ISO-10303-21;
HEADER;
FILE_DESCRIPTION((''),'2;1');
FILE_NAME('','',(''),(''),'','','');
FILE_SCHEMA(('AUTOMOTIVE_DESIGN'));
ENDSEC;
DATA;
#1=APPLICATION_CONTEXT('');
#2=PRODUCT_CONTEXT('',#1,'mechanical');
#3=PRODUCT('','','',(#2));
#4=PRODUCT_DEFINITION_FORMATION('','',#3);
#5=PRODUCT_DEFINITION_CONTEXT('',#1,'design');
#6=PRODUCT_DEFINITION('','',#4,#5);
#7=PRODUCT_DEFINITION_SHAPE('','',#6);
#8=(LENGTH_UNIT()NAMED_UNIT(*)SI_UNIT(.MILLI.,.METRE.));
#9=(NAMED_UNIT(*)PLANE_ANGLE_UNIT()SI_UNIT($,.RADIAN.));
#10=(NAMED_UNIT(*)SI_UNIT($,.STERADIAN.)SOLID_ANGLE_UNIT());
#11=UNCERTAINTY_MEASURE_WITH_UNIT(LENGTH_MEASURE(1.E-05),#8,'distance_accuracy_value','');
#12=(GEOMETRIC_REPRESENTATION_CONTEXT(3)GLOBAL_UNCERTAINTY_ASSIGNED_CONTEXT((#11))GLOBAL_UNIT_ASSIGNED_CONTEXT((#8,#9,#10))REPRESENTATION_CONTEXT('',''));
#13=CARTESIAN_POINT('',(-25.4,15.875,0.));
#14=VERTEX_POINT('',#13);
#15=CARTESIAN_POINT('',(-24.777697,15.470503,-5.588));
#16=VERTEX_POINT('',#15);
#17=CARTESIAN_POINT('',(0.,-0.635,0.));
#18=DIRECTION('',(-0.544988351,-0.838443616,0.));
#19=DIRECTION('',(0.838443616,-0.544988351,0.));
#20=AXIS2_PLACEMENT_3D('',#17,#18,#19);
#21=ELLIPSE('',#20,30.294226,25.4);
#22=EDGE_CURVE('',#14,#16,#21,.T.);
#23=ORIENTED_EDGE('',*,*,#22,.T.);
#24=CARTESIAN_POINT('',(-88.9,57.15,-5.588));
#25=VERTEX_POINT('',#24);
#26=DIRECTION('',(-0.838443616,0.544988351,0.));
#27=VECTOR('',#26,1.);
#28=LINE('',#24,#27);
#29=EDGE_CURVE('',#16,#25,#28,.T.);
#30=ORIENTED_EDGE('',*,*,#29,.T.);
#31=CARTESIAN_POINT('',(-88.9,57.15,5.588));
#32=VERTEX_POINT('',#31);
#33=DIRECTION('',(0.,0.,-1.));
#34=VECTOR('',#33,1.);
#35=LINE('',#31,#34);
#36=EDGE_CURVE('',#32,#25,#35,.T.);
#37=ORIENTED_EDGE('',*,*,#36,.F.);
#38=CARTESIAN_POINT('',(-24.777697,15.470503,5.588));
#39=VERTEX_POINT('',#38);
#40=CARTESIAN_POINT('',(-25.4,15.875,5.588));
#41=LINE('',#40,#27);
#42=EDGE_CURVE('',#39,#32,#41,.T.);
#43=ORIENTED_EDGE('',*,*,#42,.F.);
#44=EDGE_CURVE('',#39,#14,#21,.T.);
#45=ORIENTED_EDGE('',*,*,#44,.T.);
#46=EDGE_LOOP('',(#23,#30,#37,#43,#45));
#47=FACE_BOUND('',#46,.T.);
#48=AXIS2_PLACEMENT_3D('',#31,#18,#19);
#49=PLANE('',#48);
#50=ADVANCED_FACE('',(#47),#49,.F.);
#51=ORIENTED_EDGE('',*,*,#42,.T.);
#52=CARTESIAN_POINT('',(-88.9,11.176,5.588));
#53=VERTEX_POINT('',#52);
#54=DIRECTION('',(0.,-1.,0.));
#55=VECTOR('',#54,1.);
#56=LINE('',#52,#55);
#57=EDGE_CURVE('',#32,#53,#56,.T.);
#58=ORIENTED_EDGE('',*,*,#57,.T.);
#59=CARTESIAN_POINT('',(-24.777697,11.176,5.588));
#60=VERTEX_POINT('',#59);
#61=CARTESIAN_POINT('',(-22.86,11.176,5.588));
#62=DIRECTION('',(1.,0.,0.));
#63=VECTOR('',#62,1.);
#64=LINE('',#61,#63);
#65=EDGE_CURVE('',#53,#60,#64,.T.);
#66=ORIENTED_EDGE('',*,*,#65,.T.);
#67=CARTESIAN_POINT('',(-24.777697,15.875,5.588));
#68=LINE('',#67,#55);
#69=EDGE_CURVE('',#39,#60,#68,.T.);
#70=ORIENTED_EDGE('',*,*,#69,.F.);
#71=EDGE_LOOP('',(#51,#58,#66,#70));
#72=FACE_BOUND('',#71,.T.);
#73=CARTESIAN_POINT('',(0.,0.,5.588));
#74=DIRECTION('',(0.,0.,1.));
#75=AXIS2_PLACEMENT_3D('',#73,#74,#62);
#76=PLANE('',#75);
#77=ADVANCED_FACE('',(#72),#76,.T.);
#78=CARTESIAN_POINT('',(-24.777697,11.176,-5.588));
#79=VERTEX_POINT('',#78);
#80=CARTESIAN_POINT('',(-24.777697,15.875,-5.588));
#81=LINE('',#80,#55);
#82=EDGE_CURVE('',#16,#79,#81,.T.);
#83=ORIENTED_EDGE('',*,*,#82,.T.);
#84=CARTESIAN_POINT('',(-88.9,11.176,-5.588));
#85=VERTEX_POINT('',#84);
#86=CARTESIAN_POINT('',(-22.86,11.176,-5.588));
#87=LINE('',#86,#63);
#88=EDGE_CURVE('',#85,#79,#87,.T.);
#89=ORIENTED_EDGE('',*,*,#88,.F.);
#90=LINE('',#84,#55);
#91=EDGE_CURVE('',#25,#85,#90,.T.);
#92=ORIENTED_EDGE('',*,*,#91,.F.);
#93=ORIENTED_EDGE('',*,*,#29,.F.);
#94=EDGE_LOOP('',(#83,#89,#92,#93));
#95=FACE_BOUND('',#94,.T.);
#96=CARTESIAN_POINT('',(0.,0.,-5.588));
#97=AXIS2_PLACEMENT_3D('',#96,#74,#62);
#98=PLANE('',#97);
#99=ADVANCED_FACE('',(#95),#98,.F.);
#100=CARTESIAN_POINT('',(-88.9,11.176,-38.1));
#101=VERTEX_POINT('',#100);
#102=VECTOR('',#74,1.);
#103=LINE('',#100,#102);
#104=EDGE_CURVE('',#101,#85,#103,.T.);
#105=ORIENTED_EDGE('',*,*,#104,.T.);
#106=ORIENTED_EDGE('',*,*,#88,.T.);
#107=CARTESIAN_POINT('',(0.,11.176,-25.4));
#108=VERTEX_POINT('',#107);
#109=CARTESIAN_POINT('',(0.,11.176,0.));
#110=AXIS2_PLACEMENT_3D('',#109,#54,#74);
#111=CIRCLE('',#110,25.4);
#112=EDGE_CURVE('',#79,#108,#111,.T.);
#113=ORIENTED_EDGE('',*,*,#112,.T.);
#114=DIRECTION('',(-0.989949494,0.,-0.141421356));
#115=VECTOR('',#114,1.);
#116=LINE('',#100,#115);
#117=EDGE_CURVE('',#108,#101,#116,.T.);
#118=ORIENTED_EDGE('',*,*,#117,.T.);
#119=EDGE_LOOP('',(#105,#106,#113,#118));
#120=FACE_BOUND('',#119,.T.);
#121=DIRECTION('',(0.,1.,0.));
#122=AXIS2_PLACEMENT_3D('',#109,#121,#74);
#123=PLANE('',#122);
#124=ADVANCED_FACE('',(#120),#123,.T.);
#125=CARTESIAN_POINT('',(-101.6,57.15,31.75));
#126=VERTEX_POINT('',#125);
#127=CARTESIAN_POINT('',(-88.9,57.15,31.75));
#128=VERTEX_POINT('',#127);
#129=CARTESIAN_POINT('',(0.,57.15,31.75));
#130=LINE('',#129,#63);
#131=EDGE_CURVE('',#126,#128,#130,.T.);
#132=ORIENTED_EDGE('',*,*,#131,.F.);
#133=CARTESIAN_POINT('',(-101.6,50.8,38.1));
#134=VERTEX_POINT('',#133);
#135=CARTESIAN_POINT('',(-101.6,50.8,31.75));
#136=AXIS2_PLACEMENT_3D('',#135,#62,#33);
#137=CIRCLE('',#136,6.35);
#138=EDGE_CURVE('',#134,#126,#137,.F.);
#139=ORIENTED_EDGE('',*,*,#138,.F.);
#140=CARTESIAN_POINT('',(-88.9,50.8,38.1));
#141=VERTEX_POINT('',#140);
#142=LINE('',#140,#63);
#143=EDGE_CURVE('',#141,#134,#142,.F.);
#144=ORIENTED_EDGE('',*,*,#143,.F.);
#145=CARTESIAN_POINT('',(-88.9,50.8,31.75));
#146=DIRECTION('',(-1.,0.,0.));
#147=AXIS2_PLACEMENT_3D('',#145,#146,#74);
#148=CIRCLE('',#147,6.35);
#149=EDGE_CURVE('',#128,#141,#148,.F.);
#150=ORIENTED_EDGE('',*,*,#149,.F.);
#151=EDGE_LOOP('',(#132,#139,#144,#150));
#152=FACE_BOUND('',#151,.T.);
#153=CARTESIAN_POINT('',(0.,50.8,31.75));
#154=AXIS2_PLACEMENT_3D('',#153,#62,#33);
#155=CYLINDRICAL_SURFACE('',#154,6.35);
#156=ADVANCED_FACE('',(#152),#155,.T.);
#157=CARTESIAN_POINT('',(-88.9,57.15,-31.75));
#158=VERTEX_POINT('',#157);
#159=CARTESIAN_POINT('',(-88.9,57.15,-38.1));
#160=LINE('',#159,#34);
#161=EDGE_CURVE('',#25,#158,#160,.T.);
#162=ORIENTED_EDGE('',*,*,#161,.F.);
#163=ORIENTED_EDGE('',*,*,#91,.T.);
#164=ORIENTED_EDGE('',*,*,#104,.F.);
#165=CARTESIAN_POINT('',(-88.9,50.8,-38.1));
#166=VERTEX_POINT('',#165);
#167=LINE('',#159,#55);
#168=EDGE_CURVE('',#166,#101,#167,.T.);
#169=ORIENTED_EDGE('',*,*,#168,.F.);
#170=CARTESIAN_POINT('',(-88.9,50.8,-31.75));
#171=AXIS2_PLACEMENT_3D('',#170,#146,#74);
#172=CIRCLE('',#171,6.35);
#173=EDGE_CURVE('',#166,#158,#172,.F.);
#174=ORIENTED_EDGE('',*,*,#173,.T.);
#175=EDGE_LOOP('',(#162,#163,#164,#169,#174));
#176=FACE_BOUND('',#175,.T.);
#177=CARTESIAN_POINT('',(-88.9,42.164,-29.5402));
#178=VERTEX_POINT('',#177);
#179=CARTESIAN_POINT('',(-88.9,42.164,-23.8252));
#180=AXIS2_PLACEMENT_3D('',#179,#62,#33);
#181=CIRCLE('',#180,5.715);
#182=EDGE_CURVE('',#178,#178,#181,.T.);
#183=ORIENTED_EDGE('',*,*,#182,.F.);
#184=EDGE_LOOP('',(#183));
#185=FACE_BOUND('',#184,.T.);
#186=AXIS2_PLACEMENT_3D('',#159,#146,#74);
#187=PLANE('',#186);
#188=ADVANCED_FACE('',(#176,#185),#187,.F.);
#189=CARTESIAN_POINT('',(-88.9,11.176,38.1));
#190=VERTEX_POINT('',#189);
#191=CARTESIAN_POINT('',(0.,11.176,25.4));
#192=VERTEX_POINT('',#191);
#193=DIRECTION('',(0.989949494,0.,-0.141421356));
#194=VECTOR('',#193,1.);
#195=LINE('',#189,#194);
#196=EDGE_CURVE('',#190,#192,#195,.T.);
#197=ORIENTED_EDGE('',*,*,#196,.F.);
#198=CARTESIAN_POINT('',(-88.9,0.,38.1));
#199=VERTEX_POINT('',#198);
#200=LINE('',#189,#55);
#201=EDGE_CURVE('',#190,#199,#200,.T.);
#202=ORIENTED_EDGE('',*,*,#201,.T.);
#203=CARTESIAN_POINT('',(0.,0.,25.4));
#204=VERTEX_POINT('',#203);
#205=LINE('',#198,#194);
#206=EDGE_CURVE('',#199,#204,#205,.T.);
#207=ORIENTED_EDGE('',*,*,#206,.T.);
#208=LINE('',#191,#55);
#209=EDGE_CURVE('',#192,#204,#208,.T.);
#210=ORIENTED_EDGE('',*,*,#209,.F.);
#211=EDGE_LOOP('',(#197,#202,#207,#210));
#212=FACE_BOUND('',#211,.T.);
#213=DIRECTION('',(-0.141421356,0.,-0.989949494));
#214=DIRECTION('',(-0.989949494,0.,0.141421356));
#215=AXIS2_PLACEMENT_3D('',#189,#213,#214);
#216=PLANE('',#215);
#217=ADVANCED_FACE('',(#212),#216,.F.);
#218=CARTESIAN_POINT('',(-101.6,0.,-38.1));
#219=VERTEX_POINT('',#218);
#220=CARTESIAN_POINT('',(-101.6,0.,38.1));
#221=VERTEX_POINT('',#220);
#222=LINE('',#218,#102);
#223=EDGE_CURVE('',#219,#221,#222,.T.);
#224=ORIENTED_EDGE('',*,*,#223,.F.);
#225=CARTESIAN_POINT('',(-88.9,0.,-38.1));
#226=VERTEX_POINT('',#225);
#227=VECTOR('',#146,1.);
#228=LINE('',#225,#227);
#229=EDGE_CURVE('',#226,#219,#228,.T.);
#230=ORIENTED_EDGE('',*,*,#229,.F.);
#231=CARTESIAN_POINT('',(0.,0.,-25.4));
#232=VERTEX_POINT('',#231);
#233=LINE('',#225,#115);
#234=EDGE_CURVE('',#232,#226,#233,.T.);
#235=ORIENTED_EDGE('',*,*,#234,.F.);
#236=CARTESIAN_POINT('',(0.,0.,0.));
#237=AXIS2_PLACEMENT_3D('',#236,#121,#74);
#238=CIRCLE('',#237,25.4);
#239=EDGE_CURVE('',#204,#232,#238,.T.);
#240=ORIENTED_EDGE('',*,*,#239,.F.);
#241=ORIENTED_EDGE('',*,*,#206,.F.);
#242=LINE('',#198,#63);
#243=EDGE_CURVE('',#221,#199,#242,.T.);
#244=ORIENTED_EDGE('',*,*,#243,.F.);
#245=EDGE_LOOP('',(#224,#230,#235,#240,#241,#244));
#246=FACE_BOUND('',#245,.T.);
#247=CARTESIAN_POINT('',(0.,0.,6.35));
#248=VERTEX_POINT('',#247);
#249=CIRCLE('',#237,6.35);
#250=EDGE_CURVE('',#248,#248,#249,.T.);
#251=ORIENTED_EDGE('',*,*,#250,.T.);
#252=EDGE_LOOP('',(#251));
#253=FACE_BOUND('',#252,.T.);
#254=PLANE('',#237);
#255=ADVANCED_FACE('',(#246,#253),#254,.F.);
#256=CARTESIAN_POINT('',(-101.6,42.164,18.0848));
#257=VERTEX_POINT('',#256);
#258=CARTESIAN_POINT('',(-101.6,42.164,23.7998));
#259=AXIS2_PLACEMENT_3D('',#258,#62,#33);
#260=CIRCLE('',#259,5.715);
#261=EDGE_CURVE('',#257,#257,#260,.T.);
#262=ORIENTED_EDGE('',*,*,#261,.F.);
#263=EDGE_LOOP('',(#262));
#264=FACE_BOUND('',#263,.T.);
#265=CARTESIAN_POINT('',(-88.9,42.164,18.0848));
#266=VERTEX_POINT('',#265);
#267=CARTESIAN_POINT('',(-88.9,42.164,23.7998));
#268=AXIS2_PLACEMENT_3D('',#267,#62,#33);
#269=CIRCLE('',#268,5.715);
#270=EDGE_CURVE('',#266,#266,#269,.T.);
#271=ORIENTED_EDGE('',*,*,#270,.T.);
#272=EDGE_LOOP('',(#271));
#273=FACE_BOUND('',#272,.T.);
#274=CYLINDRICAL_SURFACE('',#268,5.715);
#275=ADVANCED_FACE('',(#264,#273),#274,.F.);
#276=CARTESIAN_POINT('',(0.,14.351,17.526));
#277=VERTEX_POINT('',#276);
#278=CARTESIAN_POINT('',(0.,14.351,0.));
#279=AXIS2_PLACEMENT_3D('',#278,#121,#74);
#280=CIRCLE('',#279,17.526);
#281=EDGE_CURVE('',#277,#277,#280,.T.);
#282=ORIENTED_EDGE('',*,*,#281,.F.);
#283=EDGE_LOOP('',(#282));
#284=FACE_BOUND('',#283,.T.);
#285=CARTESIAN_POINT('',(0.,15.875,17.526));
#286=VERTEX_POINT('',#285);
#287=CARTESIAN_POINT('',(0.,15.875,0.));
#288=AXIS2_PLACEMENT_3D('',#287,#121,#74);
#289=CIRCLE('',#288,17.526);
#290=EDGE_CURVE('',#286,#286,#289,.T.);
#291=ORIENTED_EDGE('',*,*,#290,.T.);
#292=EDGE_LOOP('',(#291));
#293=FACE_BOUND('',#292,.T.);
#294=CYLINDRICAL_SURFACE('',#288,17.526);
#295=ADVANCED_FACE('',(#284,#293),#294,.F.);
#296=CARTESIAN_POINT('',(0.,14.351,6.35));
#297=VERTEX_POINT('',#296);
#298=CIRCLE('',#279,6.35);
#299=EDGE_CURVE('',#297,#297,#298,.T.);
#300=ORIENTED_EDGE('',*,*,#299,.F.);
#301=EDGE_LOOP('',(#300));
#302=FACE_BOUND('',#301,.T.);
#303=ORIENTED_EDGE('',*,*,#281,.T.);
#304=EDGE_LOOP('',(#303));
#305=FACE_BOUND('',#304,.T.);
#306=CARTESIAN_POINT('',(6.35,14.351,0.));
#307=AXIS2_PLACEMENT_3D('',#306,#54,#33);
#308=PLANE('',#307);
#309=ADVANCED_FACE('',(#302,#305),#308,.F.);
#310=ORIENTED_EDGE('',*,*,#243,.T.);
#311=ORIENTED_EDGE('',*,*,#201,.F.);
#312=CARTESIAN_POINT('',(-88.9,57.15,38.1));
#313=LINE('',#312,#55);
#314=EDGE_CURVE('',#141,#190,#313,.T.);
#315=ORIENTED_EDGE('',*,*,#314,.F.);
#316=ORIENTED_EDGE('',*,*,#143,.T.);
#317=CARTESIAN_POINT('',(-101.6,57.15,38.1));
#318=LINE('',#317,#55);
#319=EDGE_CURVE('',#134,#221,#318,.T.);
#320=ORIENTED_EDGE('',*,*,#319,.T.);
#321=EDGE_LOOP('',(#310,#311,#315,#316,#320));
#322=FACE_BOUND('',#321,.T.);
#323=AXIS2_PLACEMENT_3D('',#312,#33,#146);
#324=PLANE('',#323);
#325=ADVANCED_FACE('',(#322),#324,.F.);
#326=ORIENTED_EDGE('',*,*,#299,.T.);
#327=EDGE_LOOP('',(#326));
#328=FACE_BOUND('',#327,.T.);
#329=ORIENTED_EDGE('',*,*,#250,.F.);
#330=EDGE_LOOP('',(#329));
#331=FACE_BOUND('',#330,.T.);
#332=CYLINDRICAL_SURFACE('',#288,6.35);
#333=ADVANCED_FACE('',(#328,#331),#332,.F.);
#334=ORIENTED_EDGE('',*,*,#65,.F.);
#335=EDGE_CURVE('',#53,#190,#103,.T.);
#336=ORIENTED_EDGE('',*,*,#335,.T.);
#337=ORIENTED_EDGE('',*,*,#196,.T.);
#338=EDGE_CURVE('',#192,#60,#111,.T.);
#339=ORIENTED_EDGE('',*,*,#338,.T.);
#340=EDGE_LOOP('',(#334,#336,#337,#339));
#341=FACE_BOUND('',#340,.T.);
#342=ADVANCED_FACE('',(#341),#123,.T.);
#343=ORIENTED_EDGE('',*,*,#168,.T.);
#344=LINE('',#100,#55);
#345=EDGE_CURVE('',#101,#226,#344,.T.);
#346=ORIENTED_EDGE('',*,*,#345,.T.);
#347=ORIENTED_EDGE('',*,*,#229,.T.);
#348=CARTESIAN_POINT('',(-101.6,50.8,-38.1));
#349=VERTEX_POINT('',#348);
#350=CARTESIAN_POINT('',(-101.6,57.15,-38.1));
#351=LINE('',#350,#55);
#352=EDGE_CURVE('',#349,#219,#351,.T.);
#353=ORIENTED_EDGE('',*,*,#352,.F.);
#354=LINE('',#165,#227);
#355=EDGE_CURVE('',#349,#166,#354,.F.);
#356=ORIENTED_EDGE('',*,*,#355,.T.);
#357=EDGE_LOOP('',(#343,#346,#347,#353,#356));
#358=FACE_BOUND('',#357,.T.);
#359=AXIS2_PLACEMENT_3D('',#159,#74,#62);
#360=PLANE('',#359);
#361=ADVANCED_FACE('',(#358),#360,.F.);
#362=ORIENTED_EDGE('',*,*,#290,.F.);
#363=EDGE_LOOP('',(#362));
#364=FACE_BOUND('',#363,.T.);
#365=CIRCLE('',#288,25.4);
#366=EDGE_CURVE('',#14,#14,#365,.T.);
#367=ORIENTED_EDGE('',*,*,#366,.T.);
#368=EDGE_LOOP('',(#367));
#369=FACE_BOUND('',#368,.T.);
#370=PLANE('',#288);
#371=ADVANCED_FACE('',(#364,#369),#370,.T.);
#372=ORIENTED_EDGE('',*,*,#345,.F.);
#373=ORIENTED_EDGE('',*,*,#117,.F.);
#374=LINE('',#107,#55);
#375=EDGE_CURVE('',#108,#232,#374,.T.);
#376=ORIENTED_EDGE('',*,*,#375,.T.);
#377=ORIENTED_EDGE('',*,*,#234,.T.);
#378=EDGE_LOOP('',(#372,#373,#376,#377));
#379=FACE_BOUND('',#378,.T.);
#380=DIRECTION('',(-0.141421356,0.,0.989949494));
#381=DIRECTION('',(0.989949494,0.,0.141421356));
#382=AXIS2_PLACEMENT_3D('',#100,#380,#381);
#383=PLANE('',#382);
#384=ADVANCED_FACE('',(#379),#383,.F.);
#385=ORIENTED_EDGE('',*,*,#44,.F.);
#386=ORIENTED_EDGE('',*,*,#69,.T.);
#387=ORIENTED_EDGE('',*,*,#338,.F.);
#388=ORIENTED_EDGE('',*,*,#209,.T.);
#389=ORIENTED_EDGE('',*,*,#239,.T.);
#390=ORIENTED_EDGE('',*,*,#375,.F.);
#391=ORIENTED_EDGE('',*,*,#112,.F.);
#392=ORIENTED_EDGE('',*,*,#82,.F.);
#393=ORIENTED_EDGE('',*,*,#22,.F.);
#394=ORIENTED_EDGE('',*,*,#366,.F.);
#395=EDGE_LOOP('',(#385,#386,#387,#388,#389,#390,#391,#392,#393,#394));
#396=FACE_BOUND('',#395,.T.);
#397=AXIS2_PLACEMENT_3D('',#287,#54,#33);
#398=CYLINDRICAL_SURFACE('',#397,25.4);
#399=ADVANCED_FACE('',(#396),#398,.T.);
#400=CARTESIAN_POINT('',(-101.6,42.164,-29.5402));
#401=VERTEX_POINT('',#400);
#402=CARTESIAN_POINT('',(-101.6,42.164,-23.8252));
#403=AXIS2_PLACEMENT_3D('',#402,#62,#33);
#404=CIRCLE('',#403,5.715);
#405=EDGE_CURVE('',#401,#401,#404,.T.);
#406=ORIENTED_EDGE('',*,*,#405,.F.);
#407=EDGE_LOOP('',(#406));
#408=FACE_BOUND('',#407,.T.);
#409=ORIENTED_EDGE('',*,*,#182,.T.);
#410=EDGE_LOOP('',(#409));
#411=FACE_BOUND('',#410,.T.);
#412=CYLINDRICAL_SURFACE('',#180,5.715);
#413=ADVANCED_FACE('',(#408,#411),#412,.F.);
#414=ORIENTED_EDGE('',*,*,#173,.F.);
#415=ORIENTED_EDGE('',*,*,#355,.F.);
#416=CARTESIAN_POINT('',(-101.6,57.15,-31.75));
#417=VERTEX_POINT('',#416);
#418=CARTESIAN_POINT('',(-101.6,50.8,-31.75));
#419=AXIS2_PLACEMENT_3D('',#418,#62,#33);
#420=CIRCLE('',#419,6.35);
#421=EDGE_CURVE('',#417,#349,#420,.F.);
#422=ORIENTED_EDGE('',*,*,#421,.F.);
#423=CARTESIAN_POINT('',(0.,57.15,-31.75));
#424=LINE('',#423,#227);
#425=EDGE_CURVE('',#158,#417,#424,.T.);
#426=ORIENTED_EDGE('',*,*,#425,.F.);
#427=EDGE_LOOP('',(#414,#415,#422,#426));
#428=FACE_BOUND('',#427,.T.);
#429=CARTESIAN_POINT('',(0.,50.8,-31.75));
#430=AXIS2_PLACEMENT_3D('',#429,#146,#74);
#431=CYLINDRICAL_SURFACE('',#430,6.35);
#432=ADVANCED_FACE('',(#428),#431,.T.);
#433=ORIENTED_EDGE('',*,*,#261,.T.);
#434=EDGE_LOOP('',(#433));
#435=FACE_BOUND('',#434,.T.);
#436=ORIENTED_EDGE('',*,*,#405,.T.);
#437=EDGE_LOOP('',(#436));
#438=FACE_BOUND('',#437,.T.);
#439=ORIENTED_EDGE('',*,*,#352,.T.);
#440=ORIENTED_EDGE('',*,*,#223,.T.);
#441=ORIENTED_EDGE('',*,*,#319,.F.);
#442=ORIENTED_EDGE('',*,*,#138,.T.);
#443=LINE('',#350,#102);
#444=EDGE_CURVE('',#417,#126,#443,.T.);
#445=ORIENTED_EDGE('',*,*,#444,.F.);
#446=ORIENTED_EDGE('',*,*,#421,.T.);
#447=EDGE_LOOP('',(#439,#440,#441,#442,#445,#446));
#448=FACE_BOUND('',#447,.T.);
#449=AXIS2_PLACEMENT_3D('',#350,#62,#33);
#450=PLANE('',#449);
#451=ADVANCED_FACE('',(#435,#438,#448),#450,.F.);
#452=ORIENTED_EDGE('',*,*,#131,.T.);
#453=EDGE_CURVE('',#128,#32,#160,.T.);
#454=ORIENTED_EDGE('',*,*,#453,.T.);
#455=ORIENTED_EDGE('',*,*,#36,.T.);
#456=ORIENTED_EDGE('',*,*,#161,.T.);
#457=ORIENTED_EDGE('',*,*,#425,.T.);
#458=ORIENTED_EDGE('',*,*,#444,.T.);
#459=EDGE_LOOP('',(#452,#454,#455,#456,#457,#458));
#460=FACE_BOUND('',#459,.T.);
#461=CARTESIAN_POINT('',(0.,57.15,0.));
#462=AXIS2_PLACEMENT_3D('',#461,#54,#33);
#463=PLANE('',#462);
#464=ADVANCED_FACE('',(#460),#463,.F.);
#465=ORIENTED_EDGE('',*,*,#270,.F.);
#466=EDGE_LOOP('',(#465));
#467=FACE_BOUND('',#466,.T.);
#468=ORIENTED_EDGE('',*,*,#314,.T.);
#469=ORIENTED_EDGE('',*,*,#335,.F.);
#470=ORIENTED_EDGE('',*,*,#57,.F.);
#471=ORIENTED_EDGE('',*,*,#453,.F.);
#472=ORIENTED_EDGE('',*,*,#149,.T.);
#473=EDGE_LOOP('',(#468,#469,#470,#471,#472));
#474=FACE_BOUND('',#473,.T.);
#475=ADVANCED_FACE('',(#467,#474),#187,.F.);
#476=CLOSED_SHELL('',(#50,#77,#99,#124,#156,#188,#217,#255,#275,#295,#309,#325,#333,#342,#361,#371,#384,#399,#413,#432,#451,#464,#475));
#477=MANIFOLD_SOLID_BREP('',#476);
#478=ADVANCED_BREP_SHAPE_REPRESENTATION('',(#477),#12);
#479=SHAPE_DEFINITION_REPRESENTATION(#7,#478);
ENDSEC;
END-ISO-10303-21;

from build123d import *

# Parameters (mm, degrees)
SKETCH1_R                                            = 25.4
BOSS_EXTRUDE1_DEPTH                                  = 15.875
BOSS_EXTRUDE2_DEPTH                                  = 11.176
SKETCH3_W                                            = 12.7
SKETCH3_H                                            = 76.2
BOSS_EXTRUDE3_DEPTH                                  = 57.15
CBORE_FOR_3_8_BINDING_HEAD_MACHINE_SCREW_D           = 12.7
CBORE_FOR_3_8_BINDING_HEAD_MACHINE_SCREW_CBORE_D     = 35.052
CBORE_FOR_3_8_BINDING_HEAD_MACHINE_SCREW_CBORE_DEPTH = 1.524
BOSS_EXTRUDE7_DEPTH                                  = 5.588
F_25_64_0_45_DIAMETER_HOLE1_D                        = 11.43
FILLET1_R                                            = 6.35


with BuildPart() as part:
    # Sketch1 → Boss-Extrude1 (new body)
    with BuildSketch(Plane(origin=(0, 0, 0), x_dir=(1, 0, 0), z_dir=(0, 1, 0))):
        with Locations(Location((0, 0, 0), (0, 0, 270))):
            Circle(SKETCH1_R)
    extrude(amount=BOSS_EXTRUDE1_DEPTH)

    # Sketch2 → Boss-Extrude2 (add)
    with BuildSketch(Plane(origin=(0, 0, 0), x_dir=(1, 0, 0), z_dir=(0, 1, 0))):
        with BuildLine():
            Line((-88.9, 38.1), (-88.9, -38.1))
            Line((-88.9, -38.1), (0, -25.4))
            ThreePointArc((0, -25.4), (-25.4, 0), (0, 25.4))
            Line((0, 25.4), (-88.9, 38.1))
        make_face()
    extrude(amount=BOSS_EXTRUDE2_DEPTH)

    # Sketch3 → Boss-Extrude3 (add)
    with BuildSketch(Plane(origin=(0, 0, 0), x_dir=(1, 0, 0), z_dir=(0, 1, 0))):
        with Locations((-95.25, 0)):
            Rectangle(SKETCH3_W, SKETCH3_H)
    extrude(amount=BOSS_EXTRUDE3_DEPTH)

    # CBORE for 3/8 Binding Head Machine Screw1 (through all)
    with Locations(Plane.ZX.offset(15.875)):
        with Locations((0, 0)):
            CounterBoreHole(CBORE_FOR_3_8_BINDING_HEAD_MACHINE_SCREW_D / 2, CBORE_FOR_3_8_BINDING_HEAD_MACHINE_SCREW_CBORE_D / 2, CBORE_FOR_3_8_BINDING_HEAD_MACHINE_SCREW_CBORE_DEPTH)

    # Sketch10 → Boss-Extrude7 (add, symmetric)
    with BuildSketch(Plane.XY):
        Polygon((-88.9, 57.15), (-25.4, 15.875), (-22.86, 14.224), (-22.86, 11.176), (-88.9, 11.176), align=None)
    extrude(amount=BOSS_EXTRUDE7_DEPTH, both=True)

    # 25/64 (0.45) Diameter Hole1 (through all)
    with Locations(Plane(origin=(-88.9, 42.164, 23.7998), x_dir=(0, 0, 1), z_dir=(1, 0, 0))):
        with Locations((0, 0), (-47.625, 0)):
            Hole(F_25_64_0_45_DIAMETER_HOLE1_D / 2)

    # Fillet1
    fillet1_edges = [part.edges().sort_by_distance(p)[0] for p in [
        (-95.25, 57.15, -38.1),
        (-95.25, 57.15, 38.1),
    ]]
    fillet(fillet1_edges, radius=FILLET1_R)


solid = part.part
